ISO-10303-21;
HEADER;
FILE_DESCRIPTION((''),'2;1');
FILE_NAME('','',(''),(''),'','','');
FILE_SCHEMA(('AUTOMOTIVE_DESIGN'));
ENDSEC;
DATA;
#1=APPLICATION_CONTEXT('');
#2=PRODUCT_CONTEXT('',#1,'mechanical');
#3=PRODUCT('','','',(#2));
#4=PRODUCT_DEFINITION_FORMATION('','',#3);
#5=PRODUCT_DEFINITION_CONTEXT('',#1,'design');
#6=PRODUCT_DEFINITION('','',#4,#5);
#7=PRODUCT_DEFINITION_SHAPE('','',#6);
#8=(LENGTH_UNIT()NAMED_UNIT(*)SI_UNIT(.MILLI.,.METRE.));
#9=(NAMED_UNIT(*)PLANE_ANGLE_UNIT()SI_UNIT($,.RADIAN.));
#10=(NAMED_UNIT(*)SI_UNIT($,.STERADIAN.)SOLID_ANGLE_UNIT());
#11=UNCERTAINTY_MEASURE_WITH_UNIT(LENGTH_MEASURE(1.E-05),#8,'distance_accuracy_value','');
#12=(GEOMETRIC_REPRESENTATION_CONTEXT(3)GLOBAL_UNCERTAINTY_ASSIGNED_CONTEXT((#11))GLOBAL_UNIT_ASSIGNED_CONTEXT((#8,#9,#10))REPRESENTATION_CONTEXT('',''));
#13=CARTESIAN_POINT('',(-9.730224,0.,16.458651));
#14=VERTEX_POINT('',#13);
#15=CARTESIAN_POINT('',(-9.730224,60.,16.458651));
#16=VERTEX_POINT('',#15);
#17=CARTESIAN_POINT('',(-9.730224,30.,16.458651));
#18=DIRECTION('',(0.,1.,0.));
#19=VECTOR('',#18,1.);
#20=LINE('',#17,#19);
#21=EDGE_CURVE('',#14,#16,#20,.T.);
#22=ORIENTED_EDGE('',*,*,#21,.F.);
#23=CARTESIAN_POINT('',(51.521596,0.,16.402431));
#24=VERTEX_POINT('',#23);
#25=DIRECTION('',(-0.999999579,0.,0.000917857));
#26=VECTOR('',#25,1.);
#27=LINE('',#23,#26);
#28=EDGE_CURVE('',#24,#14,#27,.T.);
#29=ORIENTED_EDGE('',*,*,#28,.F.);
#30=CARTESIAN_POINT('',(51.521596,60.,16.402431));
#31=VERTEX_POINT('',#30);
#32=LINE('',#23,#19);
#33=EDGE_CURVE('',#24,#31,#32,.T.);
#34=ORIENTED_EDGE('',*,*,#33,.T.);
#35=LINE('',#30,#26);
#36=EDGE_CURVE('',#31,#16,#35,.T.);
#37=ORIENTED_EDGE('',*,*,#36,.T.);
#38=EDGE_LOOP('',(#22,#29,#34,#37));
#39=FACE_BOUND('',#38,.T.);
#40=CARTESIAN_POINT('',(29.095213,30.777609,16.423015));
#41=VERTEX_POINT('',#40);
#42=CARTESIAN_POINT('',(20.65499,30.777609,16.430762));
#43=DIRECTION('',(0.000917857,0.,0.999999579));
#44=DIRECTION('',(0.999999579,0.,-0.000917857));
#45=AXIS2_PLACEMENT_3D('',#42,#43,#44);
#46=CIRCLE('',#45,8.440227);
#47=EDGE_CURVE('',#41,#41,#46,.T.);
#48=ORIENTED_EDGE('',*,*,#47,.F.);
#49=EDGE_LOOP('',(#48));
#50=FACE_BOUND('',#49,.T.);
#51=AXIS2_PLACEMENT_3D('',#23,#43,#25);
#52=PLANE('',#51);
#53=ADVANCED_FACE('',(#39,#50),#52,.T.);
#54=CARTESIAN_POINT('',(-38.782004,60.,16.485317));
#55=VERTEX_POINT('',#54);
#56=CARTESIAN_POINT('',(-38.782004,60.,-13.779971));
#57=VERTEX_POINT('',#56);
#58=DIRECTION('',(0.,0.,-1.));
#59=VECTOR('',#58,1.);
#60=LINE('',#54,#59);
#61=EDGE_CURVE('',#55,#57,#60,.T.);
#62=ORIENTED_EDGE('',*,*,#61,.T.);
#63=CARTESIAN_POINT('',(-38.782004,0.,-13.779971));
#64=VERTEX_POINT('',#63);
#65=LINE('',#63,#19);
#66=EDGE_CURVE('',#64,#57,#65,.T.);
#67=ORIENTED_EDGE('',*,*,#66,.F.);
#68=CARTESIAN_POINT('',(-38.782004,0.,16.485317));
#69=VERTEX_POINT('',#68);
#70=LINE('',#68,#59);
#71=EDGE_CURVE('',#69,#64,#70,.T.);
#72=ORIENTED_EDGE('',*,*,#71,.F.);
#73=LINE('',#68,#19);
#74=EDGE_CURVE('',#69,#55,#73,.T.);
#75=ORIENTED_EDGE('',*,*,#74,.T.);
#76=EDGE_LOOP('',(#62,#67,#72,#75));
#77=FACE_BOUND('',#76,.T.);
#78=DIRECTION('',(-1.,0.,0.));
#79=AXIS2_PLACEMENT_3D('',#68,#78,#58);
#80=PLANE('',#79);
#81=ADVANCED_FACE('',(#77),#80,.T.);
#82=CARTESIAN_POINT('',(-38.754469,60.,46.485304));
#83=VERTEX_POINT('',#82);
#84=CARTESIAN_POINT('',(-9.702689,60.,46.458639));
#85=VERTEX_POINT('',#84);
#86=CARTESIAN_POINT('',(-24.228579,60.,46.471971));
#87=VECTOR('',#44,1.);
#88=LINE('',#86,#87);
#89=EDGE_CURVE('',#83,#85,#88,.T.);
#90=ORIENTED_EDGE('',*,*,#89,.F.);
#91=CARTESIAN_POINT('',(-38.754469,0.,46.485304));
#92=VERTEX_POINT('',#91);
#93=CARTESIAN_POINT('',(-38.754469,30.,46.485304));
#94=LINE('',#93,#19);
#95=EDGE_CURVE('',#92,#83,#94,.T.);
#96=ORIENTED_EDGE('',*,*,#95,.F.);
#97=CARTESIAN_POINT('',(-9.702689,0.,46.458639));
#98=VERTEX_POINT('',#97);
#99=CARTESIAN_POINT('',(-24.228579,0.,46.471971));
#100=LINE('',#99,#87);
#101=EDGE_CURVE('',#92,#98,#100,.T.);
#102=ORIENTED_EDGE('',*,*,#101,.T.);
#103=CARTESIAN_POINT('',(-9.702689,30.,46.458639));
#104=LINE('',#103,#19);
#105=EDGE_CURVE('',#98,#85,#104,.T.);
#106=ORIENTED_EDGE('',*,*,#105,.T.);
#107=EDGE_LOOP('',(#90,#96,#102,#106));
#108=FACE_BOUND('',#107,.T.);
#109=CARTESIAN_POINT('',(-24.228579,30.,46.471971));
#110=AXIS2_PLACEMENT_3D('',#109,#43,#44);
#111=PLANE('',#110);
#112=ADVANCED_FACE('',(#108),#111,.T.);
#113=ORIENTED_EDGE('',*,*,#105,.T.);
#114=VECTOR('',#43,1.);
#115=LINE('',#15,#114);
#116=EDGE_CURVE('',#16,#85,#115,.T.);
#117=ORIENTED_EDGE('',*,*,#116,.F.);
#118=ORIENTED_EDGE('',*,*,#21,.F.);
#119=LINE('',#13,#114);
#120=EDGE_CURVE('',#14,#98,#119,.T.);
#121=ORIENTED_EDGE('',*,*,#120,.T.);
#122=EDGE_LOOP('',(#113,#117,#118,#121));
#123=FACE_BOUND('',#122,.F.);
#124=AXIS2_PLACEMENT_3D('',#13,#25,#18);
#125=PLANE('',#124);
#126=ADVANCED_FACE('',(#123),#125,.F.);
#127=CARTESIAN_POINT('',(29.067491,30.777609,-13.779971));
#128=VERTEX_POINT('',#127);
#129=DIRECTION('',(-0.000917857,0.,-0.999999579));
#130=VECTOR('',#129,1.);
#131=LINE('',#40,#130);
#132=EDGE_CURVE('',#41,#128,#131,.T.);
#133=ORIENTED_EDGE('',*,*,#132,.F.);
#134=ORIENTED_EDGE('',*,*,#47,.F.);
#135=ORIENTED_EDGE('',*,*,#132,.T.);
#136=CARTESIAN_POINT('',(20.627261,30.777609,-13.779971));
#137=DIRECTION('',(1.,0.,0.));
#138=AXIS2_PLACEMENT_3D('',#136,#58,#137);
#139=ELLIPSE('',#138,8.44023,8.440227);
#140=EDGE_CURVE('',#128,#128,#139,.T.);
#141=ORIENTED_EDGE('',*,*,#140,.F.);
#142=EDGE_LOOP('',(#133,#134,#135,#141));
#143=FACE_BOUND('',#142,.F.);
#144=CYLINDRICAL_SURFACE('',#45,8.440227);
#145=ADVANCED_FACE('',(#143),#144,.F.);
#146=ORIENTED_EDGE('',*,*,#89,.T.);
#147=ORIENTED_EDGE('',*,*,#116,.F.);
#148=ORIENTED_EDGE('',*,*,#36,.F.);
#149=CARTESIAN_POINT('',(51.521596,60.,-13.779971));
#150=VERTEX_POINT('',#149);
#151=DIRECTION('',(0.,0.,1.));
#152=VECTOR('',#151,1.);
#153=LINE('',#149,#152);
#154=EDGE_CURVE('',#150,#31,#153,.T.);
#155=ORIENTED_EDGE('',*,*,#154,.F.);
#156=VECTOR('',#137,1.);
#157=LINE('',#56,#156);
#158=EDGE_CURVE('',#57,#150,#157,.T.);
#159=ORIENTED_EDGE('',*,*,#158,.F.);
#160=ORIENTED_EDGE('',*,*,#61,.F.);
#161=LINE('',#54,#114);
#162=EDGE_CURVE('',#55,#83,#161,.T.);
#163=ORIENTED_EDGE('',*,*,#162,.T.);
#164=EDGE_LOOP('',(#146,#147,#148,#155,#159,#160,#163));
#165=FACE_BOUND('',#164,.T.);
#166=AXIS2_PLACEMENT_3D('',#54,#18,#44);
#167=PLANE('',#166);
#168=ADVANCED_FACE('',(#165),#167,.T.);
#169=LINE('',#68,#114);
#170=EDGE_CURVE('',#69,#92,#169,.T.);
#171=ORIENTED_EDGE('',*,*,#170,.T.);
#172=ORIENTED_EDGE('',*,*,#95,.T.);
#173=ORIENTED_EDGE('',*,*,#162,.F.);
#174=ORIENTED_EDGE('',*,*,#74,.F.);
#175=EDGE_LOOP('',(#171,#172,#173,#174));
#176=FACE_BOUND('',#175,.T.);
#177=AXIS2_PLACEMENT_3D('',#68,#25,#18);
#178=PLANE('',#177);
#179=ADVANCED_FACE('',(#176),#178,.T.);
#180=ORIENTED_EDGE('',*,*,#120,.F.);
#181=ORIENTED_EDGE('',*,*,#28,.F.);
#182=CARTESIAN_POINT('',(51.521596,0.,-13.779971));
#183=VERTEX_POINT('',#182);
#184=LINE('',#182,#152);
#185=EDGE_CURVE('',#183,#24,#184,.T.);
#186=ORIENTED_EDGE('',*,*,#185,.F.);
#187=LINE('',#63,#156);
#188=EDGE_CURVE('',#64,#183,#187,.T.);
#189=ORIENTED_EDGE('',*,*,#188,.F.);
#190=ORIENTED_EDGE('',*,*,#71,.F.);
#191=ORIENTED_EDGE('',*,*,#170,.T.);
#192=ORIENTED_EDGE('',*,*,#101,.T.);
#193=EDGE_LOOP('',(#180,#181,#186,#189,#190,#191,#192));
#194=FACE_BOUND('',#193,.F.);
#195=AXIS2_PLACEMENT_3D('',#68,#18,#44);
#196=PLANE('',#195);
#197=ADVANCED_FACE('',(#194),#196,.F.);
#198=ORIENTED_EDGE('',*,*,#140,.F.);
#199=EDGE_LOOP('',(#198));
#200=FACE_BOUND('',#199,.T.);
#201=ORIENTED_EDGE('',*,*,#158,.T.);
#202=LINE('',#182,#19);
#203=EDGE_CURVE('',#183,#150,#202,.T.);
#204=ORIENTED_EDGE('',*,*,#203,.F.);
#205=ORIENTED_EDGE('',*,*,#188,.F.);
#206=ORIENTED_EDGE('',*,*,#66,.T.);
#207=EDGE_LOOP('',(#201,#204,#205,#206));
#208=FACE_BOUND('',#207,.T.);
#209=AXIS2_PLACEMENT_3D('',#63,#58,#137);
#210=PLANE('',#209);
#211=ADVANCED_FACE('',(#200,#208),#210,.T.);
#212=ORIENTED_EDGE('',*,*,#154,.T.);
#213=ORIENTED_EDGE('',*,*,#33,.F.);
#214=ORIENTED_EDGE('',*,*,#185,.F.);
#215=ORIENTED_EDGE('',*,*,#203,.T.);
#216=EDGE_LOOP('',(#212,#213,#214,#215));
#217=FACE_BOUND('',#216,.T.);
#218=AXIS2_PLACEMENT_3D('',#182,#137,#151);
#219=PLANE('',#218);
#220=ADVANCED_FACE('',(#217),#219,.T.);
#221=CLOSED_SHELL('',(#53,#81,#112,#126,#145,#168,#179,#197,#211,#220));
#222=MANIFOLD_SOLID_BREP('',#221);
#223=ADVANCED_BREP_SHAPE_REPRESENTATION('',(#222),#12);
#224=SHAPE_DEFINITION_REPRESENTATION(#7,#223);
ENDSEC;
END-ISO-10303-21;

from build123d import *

# Parameters (mm, degrees)
F1_DEPTH = 60
F2_W     = 29.0517922733
F2_H     = 60
F3_DEPTH = 30
F4_R     = 8.4402265008
F5_DEPTH = 49


with BuildPart() as f1:
    # F0 (on Front) → F1 (new body)
    with BuildSketch(Plane.XZ):
        Polygon((51.5215955675, 16.4024308324), (-38.782004267, 16.4853166789), (-38.782004267, -13.7799708173), (51.5215955675, -13.7799708173), align=None)
    extrude(amount=-F1_DEPTH)

    # F2 (on face) → F3 (join)
    with BuildSketch(Plane(origin=(0.0150984883, 0, 16.4497064628), x_dir=(0.9999995788, 0, -0.0009178572), z_dir=(0.0009178572, 0, 0.9999995788))):
        with Locations((-24.2712229612, 30)):
            Rectangle(F2_W, F2_H)
    extrude(amount=F3_DEPTH)

    # F4 (on face) → F5 (cut)
    with BuildSketch(Plane(origin=(0.0150984883, 0, 16.4497064628), x_dir=(0.9999995788, 0, -0.0009178572), z_dir=(0.0009178572, 0, 0.9999995788))):
        with Locations((20.6399001181, 30.7776089758)):
            Circle(F4_R)
    extrude(amount=-F5_DEPTH, mode=Mode.SUBTRACT)


solid = f1.part
